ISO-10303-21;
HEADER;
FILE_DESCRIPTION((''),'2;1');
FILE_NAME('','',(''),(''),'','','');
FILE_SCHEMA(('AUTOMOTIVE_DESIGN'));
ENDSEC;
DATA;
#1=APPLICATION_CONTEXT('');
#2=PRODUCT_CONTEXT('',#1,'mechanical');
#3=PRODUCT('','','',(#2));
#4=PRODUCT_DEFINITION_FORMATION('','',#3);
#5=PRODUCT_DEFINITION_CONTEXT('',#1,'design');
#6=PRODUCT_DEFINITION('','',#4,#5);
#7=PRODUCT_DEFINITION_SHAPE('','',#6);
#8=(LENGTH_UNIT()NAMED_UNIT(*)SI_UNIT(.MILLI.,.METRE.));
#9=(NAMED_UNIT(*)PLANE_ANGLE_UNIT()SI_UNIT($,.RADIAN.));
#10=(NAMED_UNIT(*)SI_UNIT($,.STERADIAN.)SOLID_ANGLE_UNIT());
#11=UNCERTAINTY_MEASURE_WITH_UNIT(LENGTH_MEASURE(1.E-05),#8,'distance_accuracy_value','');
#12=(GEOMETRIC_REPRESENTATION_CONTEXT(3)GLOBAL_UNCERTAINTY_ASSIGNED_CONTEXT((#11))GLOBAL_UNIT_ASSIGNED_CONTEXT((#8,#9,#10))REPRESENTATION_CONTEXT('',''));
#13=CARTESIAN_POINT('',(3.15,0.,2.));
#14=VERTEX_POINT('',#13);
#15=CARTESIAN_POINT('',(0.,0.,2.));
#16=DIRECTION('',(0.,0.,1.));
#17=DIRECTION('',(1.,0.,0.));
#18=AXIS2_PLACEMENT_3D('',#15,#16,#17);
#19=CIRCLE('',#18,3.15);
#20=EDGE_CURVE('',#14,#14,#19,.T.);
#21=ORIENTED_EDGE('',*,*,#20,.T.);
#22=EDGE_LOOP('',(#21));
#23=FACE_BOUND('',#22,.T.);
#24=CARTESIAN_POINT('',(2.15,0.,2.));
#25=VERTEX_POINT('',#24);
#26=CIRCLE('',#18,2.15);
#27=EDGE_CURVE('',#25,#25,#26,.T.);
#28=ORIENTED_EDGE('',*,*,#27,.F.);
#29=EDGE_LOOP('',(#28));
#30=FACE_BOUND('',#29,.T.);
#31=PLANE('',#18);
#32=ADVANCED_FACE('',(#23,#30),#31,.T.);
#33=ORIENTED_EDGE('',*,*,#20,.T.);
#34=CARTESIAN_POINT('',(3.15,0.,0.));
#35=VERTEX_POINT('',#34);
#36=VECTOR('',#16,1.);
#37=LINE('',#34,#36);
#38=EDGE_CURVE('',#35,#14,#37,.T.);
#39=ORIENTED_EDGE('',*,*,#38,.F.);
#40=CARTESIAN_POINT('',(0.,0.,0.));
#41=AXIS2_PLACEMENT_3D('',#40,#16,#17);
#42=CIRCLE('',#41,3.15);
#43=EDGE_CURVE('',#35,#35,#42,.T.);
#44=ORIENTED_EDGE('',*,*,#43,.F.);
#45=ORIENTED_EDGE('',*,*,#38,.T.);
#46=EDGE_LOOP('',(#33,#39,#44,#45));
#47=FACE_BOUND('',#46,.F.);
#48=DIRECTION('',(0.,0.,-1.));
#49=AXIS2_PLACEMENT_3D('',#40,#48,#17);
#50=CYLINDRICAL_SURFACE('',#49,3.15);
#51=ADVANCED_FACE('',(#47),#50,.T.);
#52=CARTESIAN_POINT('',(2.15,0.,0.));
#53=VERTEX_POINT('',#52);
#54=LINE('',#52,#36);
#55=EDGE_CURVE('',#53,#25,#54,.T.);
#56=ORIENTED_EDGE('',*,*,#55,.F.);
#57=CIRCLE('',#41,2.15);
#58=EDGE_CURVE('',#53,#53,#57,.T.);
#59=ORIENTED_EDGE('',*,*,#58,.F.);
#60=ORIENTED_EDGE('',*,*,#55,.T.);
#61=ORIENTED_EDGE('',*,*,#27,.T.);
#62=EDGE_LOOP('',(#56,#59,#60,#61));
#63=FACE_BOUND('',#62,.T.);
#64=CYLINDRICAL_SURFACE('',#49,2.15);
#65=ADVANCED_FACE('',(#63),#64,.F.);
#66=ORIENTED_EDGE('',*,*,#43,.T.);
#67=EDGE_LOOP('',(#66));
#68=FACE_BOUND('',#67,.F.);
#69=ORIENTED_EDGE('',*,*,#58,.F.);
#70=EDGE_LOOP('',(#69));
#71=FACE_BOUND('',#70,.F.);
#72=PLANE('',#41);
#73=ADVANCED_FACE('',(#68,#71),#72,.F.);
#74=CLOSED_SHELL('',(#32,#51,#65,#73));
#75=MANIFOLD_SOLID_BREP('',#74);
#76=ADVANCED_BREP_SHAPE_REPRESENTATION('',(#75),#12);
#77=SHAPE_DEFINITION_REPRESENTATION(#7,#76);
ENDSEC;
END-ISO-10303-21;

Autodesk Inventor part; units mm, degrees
ref_plane "YZ Plane" through (0, 0, 0) normal (1, 0, 0) x (0, 1, 0)
ref_plane "XZ Plane" through (0, 0, 0) normal (0, 1, 0) x (-1, 0, 0)
ref_plane "XY Plane" through (0, 0, 0) normal (0, 0, 1) x (1, 0, 0)
sketch "Skizze1" plane through (0, 0, 0) normal (0, 0, 1) x (1, 0, 0)
  circle A0 centre (0, 0) radius 2.15
  circle A1 centre (0, 0) radius 3.15
  dimension "d0" = 4.3
  dimension "d1" = 1
extrude "Extrusion1" add sketch "Skizze1" along normal blind 2
properties part number "Bush-2mm"
